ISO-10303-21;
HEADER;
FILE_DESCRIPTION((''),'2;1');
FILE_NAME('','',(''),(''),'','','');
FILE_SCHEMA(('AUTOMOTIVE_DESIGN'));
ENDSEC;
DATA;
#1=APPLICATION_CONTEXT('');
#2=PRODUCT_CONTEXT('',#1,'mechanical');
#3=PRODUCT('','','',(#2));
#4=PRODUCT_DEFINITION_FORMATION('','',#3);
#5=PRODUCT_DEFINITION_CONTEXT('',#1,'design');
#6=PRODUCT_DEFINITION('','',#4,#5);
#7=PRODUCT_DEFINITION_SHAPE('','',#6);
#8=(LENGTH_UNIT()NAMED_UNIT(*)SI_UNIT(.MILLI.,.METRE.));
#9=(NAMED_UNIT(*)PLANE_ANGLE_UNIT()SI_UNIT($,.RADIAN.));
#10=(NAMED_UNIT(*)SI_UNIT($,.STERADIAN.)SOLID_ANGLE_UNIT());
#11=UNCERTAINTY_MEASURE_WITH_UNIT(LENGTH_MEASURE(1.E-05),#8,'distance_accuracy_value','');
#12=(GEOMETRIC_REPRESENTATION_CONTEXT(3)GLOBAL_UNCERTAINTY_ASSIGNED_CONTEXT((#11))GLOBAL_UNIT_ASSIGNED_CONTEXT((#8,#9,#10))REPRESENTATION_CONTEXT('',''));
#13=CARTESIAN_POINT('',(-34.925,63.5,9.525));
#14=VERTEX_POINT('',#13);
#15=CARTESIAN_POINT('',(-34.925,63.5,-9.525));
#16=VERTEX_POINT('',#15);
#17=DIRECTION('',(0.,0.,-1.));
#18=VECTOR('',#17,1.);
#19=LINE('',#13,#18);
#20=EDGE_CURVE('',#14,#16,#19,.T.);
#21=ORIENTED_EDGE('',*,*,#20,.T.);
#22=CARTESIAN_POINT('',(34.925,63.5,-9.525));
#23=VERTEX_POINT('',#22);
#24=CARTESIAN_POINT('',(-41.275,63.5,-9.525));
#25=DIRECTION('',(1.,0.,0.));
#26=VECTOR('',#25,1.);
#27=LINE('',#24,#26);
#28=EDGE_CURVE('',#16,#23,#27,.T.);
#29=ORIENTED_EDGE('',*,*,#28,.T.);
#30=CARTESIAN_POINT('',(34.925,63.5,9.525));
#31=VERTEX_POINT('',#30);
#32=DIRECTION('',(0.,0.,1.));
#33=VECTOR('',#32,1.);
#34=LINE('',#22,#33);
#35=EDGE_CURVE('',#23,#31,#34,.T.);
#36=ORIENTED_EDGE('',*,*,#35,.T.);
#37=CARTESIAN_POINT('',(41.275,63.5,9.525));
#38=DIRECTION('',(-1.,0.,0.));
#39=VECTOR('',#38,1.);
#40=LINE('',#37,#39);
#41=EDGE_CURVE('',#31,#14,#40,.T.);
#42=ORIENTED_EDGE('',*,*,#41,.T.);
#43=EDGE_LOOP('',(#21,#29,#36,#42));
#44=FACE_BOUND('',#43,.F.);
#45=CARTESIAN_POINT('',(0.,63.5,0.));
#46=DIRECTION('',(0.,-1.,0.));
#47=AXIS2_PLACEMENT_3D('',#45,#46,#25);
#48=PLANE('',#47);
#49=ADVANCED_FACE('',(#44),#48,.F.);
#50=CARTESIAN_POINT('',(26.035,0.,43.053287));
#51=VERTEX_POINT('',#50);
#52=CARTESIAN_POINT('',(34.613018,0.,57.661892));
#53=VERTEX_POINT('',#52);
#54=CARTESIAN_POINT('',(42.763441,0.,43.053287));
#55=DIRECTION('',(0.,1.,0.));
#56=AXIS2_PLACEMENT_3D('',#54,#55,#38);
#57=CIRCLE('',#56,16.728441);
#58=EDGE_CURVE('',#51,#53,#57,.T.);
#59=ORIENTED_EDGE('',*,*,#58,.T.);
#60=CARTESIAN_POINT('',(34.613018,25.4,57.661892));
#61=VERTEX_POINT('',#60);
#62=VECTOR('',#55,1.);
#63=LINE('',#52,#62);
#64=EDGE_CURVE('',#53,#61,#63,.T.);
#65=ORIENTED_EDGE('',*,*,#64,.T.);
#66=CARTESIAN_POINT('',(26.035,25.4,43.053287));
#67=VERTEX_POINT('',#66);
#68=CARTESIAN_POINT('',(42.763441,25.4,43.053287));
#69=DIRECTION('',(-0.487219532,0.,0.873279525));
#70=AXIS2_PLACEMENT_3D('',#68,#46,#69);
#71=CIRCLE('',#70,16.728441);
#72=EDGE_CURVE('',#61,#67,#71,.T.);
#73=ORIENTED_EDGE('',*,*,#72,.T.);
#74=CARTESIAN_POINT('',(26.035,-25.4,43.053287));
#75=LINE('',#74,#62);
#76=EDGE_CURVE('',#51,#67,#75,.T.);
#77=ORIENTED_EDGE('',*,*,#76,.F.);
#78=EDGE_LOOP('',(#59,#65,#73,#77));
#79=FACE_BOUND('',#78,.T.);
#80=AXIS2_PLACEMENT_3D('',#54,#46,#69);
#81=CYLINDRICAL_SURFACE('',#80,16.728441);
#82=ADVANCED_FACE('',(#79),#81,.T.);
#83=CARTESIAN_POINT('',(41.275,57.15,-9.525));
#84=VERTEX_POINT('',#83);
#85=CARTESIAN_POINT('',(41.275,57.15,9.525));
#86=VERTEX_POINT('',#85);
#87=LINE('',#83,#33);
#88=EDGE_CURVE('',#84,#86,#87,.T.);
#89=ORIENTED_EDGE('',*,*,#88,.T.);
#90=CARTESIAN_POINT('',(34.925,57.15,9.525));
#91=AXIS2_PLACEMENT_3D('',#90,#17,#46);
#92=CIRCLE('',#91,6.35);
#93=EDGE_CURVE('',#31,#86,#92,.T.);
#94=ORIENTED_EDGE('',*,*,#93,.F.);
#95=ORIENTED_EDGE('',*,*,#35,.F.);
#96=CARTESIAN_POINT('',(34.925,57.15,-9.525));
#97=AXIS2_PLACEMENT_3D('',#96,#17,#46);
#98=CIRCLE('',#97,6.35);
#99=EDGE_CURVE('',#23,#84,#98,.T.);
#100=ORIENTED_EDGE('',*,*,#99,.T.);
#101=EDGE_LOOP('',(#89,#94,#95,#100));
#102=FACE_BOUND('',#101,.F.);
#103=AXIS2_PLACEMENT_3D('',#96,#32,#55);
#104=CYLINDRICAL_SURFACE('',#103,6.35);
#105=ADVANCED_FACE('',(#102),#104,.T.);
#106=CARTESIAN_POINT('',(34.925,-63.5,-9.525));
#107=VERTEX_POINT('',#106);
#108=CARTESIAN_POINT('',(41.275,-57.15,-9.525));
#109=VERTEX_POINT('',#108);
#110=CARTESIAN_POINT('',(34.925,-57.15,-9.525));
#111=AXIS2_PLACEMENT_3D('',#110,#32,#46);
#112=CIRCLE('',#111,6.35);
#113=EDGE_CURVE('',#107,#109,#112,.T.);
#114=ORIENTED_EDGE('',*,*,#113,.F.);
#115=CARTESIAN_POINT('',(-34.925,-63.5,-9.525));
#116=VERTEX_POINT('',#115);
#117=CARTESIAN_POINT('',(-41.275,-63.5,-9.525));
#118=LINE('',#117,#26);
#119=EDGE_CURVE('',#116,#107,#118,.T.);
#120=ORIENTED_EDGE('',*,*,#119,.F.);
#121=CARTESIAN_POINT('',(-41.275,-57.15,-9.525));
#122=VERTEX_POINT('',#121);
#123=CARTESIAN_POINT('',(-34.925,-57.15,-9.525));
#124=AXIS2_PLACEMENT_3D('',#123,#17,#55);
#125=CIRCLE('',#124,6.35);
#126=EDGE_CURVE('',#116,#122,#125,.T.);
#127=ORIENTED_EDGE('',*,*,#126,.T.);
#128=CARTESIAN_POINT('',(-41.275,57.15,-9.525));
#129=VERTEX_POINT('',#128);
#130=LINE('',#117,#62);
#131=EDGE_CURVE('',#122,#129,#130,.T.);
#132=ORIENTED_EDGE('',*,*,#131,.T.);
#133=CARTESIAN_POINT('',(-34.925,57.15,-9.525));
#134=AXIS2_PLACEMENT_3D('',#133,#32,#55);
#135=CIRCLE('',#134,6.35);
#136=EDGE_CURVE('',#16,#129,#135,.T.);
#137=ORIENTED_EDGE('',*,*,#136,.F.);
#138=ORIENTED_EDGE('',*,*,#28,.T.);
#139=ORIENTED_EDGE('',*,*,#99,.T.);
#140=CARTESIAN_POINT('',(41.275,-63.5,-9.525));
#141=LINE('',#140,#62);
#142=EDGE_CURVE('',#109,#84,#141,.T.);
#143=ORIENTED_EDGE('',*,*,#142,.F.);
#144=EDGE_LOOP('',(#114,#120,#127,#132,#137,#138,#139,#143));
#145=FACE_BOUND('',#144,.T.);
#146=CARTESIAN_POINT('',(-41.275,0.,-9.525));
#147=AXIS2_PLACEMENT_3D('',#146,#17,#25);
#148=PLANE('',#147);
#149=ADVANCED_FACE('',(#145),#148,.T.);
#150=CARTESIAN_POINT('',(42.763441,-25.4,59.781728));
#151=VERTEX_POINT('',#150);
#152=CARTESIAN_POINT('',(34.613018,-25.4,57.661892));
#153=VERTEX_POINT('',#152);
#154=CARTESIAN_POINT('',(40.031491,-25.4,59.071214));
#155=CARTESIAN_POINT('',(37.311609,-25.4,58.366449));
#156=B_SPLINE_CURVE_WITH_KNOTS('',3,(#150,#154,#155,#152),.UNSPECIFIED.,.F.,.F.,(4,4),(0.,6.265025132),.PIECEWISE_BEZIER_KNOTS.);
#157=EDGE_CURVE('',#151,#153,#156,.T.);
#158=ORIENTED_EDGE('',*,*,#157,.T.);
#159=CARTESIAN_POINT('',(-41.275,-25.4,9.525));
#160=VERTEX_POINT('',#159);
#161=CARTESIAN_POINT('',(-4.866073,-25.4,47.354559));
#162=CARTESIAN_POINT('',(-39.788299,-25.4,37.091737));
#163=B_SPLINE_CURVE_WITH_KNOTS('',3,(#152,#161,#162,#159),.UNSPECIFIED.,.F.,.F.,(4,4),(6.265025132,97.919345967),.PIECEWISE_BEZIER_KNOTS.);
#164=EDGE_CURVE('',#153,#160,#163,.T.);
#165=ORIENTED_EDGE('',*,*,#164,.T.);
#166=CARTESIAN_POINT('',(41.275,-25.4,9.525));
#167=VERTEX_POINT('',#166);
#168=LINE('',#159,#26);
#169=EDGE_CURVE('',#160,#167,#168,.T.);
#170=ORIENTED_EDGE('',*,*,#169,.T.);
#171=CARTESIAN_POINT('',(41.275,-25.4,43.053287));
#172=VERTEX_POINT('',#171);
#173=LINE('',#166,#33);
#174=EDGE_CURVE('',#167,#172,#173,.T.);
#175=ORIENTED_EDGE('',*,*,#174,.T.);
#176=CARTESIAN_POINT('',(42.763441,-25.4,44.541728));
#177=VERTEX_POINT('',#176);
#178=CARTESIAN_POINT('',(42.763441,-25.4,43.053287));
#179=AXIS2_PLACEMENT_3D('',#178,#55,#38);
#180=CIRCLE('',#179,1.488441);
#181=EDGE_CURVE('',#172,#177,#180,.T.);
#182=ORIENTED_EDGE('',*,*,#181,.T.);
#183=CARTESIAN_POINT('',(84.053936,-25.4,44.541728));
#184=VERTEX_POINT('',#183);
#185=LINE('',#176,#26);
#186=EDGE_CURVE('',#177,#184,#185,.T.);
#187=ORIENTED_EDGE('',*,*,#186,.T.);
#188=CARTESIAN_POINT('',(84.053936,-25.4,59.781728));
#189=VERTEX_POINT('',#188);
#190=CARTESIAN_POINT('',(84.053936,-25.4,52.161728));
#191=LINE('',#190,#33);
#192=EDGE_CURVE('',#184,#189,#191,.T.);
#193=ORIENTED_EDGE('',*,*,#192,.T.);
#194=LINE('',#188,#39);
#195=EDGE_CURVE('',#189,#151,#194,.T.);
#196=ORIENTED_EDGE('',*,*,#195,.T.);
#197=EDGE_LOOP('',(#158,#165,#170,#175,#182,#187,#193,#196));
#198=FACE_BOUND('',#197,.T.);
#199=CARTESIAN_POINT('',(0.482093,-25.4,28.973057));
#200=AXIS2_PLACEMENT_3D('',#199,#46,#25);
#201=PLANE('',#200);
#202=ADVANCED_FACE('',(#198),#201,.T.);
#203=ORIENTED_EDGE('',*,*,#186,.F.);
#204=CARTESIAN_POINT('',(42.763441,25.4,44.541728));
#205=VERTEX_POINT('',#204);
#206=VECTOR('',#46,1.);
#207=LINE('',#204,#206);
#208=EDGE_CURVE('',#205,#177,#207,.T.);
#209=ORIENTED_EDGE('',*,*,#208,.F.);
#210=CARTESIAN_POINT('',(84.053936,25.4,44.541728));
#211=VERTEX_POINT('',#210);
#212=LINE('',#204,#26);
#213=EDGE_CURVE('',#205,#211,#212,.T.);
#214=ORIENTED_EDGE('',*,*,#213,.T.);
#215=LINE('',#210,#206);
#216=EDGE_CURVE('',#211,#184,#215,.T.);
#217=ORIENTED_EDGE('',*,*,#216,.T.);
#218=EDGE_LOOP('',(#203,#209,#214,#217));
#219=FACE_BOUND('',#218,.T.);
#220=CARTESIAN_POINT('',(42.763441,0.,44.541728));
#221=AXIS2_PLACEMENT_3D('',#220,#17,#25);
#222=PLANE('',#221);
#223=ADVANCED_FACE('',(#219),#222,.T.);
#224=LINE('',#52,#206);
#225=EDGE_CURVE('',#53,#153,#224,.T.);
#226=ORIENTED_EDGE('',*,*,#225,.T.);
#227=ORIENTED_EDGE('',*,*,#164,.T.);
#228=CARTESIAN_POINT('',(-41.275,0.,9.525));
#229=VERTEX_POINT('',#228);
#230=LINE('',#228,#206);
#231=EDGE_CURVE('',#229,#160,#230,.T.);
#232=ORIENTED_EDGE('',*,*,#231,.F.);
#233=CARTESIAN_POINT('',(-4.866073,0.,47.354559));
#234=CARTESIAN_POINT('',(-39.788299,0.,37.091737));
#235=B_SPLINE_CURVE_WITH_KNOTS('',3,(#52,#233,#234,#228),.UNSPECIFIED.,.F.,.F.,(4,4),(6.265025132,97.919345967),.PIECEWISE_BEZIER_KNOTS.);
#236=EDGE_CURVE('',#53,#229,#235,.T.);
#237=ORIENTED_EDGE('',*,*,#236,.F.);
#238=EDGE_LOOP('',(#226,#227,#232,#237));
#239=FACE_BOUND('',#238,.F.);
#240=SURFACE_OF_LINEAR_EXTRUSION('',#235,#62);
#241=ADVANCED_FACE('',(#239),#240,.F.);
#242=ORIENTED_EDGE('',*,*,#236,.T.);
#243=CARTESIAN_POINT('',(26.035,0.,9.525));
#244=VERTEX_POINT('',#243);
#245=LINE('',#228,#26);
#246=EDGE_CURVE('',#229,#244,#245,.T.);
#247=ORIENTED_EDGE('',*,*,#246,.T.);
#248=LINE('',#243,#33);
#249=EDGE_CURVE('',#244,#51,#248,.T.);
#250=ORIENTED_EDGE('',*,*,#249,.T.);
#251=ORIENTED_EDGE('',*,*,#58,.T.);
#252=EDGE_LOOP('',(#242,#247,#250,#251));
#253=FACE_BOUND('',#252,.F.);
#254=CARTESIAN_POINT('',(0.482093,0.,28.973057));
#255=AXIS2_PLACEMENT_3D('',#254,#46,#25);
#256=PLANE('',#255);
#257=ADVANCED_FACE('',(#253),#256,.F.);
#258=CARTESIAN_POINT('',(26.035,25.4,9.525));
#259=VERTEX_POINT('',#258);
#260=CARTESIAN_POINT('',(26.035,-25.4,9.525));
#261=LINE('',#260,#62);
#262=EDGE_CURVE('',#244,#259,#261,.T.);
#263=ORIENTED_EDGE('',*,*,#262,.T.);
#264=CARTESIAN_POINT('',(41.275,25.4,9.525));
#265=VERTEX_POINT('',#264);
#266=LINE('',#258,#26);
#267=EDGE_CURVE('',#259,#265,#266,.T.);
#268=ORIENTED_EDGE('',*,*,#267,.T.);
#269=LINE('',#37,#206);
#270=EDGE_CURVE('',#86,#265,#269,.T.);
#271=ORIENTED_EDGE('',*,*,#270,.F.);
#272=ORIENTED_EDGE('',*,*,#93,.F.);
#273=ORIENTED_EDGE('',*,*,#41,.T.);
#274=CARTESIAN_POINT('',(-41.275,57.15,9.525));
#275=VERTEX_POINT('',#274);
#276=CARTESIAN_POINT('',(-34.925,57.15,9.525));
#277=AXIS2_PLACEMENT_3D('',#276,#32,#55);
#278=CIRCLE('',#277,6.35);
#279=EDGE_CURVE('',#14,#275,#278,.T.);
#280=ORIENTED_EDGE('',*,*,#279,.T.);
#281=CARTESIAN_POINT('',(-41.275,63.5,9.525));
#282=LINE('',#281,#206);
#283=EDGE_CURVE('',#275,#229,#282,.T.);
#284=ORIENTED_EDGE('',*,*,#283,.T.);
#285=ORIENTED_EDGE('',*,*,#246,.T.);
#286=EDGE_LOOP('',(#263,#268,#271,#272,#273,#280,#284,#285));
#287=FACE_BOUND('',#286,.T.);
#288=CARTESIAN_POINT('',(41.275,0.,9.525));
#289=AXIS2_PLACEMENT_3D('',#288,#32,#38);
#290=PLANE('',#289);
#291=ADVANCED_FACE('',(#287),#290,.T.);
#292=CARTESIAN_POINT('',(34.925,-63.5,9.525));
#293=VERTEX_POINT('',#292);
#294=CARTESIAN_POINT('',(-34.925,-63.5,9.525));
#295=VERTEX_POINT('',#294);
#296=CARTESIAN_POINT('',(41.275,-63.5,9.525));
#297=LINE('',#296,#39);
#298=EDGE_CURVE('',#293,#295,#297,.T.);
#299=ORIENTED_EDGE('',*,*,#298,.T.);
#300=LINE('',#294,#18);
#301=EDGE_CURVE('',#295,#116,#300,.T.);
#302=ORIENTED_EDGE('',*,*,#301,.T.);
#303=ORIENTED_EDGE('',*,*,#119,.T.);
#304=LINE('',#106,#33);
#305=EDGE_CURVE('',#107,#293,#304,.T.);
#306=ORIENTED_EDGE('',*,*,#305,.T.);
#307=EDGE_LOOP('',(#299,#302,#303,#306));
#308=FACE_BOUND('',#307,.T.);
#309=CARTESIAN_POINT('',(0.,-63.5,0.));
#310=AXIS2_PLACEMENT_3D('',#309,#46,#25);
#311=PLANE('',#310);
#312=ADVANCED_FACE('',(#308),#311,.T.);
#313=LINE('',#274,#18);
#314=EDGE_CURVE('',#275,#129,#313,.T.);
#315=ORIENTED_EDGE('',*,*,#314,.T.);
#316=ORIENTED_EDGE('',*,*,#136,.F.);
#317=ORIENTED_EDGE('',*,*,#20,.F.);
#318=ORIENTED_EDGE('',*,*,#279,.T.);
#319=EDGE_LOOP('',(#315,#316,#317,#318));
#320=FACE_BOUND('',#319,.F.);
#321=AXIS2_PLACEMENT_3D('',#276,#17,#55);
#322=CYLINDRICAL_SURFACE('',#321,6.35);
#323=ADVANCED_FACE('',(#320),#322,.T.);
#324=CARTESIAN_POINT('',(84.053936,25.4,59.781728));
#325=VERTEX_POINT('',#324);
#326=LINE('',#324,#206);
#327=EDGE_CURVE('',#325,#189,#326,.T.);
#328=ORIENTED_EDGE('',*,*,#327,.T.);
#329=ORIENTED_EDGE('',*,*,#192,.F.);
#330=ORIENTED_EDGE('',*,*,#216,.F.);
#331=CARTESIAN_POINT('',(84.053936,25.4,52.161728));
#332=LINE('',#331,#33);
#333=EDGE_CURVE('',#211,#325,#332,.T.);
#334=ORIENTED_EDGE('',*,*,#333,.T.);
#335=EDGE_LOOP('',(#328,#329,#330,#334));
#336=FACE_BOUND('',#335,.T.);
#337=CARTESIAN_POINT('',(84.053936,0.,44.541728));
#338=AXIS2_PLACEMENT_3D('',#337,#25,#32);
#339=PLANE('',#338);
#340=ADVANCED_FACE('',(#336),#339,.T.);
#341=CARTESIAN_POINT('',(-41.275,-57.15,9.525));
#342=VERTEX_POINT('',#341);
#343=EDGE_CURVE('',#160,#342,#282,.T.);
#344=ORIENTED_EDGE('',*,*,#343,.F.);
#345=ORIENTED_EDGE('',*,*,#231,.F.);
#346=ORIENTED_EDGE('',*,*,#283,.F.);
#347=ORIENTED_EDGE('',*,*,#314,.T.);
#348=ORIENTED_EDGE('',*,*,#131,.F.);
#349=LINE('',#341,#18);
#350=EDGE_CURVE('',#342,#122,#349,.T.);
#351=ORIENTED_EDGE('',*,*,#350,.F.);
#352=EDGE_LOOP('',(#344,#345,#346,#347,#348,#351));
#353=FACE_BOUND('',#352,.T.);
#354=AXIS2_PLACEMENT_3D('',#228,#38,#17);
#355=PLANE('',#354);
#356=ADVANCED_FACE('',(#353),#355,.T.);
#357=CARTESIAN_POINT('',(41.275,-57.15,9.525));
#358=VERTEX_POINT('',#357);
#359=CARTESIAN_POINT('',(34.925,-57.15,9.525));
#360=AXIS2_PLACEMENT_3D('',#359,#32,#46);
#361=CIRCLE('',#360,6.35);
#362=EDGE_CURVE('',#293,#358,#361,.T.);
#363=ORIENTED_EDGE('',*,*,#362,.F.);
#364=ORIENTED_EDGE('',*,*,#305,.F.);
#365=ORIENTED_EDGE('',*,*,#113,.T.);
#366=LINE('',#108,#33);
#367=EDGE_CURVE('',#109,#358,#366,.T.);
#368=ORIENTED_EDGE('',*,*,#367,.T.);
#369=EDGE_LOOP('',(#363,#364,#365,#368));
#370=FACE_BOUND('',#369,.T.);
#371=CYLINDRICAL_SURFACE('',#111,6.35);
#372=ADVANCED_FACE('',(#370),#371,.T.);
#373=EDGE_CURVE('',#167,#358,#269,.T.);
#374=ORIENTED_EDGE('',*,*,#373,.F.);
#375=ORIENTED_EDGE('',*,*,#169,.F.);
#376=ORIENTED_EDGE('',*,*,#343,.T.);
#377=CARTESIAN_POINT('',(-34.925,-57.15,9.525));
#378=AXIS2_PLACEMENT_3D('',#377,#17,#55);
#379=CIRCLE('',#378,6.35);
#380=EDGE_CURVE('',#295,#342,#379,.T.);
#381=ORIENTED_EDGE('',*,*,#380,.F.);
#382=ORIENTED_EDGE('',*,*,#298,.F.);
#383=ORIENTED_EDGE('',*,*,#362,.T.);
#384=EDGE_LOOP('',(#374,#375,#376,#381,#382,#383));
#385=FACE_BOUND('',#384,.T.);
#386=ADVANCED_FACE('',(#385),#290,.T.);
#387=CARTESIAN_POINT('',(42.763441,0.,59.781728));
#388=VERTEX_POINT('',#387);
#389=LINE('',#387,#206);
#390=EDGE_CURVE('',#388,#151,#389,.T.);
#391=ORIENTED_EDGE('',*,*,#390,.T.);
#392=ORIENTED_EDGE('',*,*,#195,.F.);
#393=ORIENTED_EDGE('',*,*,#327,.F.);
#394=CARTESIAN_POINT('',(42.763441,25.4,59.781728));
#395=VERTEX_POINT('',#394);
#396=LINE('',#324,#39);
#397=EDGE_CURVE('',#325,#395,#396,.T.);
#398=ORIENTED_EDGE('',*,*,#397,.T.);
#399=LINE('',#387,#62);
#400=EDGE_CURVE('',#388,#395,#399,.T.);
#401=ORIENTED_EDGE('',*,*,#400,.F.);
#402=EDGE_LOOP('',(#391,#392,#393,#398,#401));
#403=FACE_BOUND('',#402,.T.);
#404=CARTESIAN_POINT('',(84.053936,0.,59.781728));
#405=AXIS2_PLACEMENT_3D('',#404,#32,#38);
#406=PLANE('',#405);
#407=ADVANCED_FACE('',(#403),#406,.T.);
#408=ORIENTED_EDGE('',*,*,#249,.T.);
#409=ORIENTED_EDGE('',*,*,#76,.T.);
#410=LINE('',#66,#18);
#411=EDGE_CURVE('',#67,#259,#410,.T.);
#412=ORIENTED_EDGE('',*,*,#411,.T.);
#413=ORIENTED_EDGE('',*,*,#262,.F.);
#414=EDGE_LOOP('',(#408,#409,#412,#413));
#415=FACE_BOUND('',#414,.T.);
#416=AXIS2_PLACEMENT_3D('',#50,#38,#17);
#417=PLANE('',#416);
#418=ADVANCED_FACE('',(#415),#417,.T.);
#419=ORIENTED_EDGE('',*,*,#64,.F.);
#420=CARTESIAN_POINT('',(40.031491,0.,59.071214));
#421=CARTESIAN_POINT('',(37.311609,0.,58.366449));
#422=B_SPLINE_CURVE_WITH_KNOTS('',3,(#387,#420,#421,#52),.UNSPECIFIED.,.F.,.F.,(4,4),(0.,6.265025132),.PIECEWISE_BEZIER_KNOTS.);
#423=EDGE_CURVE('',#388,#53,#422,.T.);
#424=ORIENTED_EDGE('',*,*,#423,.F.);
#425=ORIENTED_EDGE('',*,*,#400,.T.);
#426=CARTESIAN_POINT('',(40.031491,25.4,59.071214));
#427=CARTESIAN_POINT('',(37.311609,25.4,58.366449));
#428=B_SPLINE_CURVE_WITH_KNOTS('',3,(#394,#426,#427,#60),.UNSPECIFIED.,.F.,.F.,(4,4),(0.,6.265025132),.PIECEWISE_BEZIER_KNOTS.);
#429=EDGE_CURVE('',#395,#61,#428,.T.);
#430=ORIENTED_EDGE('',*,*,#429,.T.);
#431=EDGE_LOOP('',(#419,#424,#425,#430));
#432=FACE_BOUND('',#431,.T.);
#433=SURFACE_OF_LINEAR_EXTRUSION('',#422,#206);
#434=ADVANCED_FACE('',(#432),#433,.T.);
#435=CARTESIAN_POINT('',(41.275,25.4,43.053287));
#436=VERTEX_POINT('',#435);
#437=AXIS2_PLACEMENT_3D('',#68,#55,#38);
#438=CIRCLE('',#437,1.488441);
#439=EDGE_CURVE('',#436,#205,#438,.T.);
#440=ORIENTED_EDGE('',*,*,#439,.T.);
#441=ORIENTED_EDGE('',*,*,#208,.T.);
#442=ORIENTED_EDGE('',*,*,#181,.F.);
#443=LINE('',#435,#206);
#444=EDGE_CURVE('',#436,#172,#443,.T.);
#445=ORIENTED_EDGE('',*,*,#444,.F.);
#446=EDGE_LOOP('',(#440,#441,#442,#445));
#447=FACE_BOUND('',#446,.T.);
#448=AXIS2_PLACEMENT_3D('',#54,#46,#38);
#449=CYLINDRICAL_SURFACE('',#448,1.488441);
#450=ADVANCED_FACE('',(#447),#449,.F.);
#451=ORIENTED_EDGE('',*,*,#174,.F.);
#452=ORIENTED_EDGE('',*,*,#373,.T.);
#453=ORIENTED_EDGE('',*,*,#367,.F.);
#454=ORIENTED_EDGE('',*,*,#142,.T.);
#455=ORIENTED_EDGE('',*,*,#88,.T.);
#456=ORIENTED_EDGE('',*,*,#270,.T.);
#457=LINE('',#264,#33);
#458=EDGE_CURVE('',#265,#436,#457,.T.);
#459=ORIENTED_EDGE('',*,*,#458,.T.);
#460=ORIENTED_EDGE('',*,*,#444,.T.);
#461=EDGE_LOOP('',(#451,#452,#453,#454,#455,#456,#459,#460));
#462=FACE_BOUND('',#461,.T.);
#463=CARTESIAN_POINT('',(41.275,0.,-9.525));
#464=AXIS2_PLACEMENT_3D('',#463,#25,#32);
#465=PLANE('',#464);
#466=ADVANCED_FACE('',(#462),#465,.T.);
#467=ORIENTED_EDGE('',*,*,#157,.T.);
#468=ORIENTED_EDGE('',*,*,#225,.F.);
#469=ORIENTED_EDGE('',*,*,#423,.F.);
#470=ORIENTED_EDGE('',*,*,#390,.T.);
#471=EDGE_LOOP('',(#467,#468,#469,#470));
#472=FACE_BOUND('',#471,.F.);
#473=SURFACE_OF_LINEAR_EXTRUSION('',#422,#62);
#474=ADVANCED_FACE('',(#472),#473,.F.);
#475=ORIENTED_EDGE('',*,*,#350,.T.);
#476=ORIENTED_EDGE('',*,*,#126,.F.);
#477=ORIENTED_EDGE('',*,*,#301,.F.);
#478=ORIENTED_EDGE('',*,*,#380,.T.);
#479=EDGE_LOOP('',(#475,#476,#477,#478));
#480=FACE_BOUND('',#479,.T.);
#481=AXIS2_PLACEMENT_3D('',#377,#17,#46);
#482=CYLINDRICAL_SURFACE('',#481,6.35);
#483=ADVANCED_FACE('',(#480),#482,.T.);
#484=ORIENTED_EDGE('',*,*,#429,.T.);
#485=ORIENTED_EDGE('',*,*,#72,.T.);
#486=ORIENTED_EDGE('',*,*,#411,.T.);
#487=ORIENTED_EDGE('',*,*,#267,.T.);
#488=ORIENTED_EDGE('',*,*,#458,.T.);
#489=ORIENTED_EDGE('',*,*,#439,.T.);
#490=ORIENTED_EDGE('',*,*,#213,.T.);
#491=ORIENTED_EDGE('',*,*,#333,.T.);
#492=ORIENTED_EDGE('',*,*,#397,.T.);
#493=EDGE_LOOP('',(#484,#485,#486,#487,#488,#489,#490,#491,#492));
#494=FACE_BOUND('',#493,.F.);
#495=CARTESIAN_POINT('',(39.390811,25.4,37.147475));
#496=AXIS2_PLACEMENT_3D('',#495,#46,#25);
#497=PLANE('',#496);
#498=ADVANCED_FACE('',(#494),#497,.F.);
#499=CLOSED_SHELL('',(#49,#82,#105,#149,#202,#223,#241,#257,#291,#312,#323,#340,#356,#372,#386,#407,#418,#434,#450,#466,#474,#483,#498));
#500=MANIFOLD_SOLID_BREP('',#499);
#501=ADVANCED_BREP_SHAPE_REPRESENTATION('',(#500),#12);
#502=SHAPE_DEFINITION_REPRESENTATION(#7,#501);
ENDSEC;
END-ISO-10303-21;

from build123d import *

# Parameters (mm, degrees)
F1_DEPTH = 63.5
F0_W     = 25.4
F0_H     = 15.24
F2_DEPTH = 25.4
F3_DEPTH = 25.4
F4_R     = 6.35


with BuildPart() as f1:
    # F0 (on Front) → F1 (new body, symmetric)
    with BuildSketch(Plane.XZ):
        Polygon((41.275, -9.525), (41.275, 9.525), (26.035, 9.525), (-41.275, 9.525), (-41.275, -9.525), align=None)
    extrude(amount=F1_DEPTH, both=True)

    # F0 (on Front) → F2 (join, symmetric)
    with BuildSketch(Plane.XZ):
        with BuildLine():
            Line((26.035, 9.525), (41.275, 9.525))
            Line((41.275, 9.525), (41.275, 43.0532871165))
            ThreePointArc((41.275, 43.0532871165), (41.710954306, 44.1057739147), (42.7634411042, 44.5417282207))
            Line((42.7634411042, 44.5417282207), (58.6539360017, 44.5417282207))
            Line((58.6539360017, 44.5417282207), (58.6539360017, 59.7817282207))
            Line((58.6539360017, 59.7817282207), (42.7634411042, 59.7817282207))
            add(Edge.make_bspline(
                [(42.7634411042, 59.7817282207), (40.0314907438, 59.0712143993), (37.3116085618, 58.3664493175), (34.6130178648, 57.6618922106)],
                knots=[0, 0, 0, 0, 6.2650251323, 6.2650251323, 6.2650251323, 6.2650251323], degree=3))
            ThreePointArc((34.6130178648, 57.6618922106), (28.3380361374, 51.5237318109), (26.035, 43.0532871165))
            Line((26.035, 43.0532871165), (26.035, 9.525))
        make_face()
        with Locations((71.3539360017, 52.1617282207)):
            Rectangle(F0_W, F0_H)
    extrude(amount=F2_DEPTH, both=True)

    # F0 (on Front) → F3 (join)
    with BuildSketch(Plane.XZ):
        with BuildLine():
            Line((-41.275, 9.525), (26.035, 9.525))
            Line((26.035, 9.525), (26.035, 43.0532871165))
            ThreePointArc((26.035, 43.0532871165), (28.3380361374, 51.5237318109), (34.6130178648, 57.6618922106))
            add(Edge.make_bspline(
                [(34.6130178648, 57.6618922106), (-4.8660731715, 47.3545587597), (-39.7882987615, 37.0917367173), (-41.275, 9.525)],
                knots=[6.2650251323, 6.2650251323, 6.2650251323, 6.2650251323, 97.9193459674, 97.9193459674, 97.9193459674, 97.9193459674], degree=3))
        make_face()
    extrude(amount=F3_DEPTH)

    # F4
    f4_edges = [f1.edges().sort_by_distance(p)[0] for p in [
        (41.275, -63.5, 0),
        (-41.275, -63.5, 0),
        (41.275, 63.5, 0),
        (-41.275, 63.5, 0),
    ]]
    fillet(f4_edges, radius=F4_R)


solid = f1.part
